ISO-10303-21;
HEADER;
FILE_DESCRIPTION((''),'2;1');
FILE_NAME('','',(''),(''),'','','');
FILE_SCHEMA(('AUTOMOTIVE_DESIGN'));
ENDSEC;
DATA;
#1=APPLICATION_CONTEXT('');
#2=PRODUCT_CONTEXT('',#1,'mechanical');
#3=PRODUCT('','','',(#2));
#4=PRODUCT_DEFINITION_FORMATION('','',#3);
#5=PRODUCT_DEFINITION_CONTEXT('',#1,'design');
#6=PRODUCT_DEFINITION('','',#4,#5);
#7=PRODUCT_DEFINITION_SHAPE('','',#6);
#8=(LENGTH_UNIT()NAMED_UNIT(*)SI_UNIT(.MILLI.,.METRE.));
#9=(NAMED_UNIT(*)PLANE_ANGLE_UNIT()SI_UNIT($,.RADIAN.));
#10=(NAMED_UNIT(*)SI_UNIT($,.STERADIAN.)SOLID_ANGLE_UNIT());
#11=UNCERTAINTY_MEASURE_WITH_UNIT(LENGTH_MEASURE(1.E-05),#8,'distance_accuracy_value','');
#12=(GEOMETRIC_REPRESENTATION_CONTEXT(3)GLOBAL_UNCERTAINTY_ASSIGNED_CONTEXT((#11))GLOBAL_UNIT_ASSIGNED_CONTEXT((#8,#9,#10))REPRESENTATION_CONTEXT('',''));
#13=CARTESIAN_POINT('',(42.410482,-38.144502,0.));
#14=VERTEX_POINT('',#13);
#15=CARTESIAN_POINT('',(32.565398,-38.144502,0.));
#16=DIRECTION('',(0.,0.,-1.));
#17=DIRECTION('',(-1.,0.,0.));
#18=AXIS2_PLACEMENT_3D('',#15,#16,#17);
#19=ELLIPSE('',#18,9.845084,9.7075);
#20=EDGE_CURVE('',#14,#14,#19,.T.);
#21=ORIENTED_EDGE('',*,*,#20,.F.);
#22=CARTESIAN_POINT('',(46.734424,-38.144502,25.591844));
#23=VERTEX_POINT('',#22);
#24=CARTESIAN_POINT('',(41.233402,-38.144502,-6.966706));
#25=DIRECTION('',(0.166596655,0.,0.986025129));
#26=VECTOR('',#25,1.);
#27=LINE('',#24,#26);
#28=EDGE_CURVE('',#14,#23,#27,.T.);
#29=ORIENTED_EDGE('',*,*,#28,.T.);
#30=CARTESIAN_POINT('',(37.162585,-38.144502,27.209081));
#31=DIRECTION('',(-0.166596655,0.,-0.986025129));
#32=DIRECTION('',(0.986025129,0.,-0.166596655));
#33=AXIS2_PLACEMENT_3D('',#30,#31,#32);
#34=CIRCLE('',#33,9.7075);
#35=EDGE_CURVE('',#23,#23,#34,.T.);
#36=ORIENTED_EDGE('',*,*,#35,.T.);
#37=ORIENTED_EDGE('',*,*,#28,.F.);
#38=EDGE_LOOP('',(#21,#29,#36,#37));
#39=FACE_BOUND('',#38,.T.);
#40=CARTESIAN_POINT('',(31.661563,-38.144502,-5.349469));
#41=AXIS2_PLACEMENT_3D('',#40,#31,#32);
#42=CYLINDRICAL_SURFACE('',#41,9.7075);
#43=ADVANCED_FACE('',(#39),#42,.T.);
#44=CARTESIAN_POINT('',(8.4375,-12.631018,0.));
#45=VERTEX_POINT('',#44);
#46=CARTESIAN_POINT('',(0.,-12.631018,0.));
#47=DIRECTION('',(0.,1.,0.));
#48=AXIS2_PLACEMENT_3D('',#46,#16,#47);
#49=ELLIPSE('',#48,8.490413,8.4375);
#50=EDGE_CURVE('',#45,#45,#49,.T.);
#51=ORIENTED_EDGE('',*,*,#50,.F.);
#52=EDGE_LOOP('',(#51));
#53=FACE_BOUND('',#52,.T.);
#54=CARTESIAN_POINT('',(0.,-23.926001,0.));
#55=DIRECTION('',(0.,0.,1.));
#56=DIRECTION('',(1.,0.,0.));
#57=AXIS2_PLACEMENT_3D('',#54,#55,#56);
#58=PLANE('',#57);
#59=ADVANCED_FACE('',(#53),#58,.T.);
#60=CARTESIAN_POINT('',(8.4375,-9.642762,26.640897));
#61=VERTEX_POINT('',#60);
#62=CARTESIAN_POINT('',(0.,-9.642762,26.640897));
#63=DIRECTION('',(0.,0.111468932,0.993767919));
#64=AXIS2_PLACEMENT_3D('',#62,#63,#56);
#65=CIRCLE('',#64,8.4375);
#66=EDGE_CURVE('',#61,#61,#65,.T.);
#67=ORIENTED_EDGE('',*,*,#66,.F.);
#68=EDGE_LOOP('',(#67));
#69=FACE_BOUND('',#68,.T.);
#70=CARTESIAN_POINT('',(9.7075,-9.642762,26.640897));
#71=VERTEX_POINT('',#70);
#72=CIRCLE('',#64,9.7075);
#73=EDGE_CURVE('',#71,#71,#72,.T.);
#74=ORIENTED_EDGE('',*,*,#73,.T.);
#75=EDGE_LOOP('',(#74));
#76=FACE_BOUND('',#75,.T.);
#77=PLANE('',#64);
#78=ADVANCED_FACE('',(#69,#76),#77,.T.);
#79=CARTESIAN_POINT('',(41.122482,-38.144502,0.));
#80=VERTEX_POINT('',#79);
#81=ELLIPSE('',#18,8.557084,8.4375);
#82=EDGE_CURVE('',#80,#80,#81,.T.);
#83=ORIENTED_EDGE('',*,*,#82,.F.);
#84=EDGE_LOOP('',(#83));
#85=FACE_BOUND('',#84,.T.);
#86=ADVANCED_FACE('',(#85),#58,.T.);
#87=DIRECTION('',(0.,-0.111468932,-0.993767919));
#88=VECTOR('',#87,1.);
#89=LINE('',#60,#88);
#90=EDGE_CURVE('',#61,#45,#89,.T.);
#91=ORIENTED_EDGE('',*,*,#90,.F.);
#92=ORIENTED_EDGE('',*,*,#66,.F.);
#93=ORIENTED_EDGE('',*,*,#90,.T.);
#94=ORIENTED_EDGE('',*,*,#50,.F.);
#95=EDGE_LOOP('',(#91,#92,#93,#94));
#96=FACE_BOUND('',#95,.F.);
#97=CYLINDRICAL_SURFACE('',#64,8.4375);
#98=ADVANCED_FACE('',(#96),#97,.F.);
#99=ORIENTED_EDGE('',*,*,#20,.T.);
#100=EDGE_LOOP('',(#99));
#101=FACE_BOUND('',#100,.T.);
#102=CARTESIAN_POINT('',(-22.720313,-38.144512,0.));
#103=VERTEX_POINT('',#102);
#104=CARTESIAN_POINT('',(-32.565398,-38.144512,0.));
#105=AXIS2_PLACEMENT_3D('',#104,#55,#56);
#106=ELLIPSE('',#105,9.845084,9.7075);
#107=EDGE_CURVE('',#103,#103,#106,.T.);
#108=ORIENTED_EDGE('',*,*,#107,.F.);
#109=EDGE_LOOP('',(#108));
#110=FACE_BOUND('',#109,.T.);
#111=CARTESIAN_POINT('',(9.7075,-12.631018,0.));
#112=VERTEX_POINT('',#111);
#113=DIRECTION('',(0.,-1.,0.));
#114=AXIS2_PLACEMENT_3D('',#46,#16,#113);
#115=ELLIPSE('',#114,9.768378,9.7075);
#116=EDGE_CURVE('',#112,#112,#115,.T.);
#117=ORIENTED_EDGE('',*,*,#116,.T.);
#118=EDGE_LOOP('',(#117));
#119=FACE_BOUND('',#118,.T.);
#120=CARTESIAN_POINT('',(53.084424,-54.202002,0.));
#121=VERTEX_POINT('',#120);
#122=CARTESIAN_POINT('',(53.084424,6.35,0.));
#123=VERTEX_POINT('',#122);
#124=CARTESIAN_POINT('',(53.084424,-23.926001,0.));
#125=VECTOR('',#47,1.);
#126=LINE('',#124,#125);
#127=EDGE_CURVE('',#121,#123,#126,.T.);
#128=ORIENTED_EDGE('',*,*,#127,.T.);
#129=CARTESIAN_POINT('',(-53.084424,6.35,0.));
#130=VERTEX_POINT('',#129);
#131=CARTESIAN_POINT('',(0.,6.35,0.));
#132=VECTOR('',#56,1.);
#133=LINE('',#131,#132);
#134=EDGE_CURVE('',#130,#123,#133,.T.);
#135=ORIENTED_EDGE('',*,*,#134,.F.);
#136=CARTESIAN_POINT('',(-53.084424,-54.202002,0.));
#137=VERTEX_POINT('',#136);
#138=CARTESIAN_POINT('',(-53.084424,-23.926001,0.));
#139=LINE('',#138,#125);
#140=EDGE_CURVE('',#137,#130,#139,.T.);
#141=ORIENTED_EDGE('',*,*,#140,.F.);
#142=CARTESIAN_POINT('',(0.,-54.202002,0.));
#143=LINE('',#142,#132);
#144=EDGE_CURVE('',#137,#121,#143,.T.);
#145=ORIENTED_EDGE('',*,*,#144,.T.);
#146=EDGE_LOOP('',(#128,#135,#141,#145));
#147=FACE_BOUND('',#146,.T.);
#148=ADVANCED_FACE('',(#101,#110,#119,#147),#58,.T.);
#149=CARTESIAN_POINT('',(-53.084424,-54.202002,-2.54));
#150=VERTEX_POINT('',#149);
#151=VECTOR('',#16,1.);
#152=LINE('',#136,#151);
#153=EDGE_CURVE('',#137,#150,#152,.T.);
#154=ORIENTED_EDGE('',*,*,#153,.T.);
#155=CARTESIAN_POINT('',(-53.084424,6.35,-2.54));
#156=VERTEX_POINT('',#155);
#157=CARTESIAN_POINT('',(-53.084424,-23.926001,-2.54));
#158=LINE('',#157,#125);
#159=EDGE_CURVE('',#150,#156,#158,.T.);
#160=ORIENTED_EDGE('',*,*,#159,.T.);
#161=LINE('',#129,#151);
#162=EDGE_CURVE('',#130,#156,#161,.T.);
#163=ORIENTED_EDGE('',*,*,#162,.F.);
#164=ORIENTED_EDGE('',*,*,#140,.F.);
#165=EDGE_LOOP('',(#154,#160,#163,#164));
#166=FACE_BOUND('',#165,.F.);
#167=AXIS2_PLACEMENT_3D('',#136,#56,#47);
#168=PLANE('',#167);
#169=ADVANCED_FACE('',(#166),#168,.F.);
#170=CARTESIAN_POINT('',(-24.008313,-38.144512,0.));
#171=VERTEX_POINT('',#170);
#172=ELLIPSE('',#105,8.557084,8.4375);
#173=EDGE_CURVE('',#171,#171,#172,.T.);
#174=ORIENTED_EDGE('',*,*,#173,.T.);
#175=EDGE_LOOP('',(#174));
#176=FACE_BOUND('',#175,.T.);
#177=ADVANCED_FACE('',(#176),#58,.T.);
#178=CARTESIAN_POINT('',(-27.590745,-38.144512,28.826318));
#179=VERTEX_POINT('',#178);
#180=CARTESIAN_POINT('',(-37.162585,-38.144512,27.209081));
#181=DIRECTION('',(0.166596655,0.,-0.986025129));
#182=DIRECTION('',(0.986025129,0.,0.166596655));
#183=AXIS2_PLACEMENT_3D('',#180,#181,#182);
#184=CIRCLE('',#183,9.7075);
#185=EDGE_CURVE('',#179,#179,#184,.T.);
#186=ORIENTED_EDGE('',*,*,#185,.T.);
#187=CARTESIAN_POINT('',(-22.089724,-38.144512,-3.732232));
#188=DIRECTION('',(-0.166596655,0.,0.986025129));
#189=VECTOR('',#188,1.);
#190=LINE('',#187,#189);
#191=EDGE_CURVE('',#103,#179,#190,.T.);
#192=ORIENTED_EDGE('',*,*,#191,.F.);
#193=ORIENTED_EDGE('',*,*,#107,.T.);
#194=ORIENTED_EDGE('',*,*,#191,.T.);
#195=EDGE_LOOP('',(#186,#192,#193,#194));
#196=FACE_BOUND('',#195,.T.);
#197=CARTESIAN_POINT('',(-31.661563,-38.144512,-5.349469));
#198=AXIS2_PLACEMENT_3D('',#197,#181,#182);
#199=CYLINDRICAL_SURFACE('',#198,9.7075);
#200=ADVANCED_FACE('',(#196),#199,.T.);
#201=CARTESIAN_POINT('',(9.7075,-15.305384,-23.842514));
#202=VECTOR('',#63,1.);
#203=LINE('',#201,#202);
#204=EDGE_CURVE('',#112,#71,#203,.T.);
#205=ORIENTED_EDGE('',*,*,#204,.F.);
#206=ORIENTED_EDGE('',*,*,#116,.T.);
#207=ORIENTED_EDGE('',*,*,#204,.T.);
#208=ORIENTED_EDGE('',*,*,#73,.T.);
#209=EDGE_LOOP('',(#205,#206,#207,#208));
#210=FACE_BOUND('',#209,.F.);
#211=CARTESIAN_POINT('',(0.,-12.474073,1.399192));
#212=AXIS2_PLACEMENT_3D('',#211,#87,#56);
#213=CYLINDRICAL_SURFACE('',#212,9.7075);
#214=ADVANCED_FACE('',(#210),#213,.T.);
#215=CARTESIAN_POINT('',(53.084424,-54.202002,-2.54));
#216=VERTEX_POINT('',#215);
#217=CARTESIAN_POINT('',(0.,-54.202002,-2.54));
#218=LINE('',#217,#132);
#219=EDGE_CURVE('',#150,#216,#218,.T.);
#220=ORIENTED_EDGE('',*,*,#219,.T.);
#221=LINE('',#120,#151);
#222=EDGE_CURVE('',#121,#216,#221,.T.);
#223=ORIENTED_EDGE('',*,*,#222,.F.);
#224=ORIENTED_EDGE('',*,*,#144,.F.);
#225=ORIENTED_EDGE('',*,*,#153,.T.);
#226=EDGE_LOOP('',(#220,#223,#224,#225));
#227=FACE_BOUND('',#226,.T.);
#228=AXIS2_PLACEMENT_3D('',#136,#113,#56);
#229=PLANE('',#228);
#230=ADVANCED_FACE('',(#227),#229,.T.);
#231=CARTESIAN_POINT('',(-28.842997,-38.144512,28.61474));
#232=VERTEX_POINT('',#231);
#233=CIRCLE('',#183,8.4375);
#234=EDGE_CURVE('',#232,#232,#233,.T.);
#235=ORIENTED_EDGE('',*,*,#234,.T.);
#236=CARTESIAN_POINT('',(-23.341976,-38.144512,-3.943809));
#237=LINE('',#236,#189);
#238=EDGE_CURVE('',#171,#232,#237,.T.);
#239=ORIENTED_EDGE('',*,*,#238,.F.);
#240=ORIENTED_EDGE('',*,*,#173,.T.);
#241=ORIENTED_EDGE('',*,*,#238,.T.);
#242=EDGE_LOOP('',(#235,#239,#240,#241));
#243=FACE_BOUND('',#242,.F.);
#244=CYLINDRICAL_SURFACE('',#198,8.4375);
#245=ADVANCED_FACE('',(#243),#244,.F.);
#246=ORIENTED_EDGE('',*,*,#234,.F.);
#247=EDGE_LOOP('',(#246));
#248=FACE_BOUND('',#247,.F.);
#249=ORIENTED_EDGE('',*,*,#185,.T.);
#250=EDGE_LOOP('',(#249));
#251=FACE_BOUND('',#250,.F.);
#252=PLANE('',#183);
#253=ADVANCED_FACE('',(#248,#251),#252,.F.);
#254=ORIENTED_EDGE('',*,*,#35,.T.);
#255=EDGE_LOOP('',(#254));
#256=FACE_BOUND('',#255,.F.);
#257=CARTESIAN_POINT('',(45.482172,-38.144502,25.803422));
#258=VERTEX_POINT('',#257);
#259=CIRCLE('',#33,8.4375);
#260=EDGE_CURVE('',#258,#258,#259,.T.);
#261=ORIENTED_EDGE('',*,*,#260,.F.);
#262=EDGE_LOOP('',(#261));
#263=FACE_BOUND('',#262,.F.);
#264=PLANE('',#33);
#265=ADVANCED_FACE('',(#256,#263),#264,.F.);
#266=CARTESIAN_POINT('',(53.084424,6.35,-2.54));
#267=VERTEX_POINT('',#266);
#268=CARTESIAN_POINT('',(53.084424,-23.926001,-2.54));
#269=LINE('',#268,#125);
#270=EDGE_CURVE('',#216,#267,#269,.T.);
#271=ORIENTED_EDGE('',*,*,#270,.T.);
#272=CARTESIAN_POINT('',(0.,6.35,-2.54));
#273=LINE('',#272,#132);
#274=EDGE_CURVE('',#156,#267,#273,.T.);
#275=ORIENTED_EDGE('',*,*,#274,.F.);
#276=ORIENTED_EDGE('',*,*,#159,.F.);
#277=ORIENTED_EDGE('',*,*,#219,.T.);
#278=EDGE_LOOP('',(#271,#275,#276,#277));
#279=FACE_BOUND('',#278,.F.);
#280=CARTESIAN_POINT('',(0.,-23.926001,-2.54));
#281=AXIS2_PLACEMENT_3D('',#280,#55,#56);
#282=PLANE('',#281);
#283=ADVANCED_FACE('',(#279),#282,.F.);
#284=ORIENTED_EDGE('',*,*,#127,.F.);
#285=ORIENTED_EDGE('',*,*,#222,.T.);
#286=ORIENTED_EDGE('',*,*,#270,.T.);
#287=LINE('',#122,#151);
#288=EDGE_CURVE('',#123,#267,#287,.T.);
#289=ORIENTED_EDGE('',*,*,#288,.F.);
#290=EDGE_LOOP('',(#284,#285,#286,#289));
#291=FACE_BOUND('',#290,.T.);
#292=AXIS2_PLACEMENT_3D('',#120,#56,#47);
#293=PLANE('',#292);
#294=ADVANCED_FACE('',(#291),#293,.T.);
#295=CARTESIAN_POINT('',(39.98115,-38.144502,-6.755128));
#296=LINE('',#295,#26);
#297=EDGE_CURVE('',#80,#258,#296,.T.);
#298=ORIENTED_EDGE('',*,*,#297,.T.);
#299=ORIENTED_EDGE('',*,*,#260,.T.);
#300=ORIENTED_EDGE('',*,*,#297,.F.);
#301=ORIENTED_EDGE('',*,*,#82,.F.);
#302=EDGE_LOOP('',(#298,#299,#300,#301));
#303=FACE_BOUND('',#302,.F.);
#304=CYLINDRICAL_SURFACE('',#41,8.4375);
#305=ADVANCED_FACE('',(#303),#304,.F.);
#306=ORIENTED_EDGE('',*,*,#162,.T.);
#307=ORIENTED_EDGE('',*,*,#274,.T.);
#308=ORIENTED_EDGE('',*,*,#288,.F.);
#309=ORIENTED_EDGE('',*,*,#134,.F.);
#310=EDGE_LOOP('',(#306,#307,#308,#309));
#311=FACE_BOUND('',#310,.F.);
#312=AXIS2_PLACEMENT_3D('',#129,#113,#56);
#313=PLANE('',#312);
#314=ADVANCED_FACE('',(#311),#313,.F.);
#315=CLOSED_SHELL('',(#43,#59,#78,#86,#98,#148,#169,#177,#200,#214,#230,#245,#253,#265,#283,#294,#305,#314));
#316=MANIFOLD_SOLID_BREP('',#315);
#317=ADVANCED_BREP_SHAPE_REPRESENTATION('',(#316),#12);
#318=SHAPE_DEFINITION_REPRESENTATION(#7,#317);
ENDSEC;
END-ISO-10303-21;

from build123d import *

# Parameters (mm, degrees)
F2_R      = 9.70750027
F2_R_2    = 8.43750027
F3_DEPTH  = 33.02
F4_DEPTH  = 50.8
F6_DEPTH  = 127
F8_R      = 9.70750027
F8_R_2    = 8.43750027
F9_DEPTH  = 33.02
F10_W     = 144.2738771439
F10_H     = 43.9907349646
F11_DEPTH = 381
F14_R     = 9.70750027
F14_R_2   = 8.43750027
F15_DEPTH = 25.4
F16_DEPTH = 50.8
F17_W     = 94.1894035786
F17_H     = 29.3832402676
F18_DEPTH = 127
F19_W     = 106.1688474409
F19_H     = 60.55200234
F20_DEPTH = 2.54


with BuildPart() as f3:
    # F2 (on line) → F3 (new body)
    with BuildSketch(Plane(origin=(0, 0, 0), x_dir=(0.9860251287, 0, 0.1665966554), z_dir=(0.1665966554, 0, -0.9860251287))):
        with Locations((-32.11030027, 38.1445123341)):
            Circle(F2_R)
        with Locations((-32.11030027, 38.1445123341)):
            Circle(F2_R_2, mode=Mode.SUBTRACT)
    extrude(amount=-F3_DEPTH)

    # F4 (add): a face of the model
    f4_faces = [f3.faces().sort_by_distance(p)[0] for p in [
        (-46.4636912241, -38.1445123341, 25.6375864152),
    ]]
    extrude(f4_faces, amount=-F4_DEPTH)

    # F5 (on Front) → F6 (cut, symmetric)
    with BuildSketch(Plane.XZ):
        Polygon((43.3516763151, 0), (0, 0), (-49.4034710573, 0), (-49.4034710573, -35.2993682027), (43.3516763151, -35.2993682027), align=None)
    extrude(amount=F6_DEPTH, both=True, mode=Mode.SUBTRACT)



with BuildPart() as f9:
    # F8 (on line) → F9 (new body)
    with BuildSketch(Plane(origin=(0, 0, 0), x_dir=(0.9860251287, 0, -0.1665966554), z_dir=(-0.1665966554, 0, -0.9860251287))):
        with Locations((32.11030027, 38.14450207)):
            Circle(F8_R)
        with Locations((32.11030027, 38.14450207)):
            Circle(F8_R_2, mode=Mode.SUBTRACT)
    extrude(amount=-F9_DEPTH)

    # F10 (on Front) → F11 (cut, symmetric)
    with BuildSketch(Plane.XZ):
        with Locations((2.6571601629, -21.9953674823)):
            Rectangle(F10_W, F10_H)
    extrude(amount=F11_DEPTH, both=True, mode=Mode.SUBTRACT)


with BuildPart() as f15:
    # F14 (on face) → F15 (new body)
    with BuildSketch(Plane(origin=(0, 0, 0), x_dir=(1, 0, 0), z_dir=(0, 0.1114689322, 0.9937679192))):
        with Locations((0, -12.55230027)):
            Circle(F14_R)
        with Locations((0, -12.55230027)):
            Circle(F14_R_2, mode=Mode.SUBTRACT)
    extrude(amount=F15_DEPTH)

    # F16 (add): a face of the model
    f16_faces = [f15.faces().sort_by_distance(p)[0] for p in [
        (-9.4329306992, -9.642762442, 26.6408966545),
    ]]
    extrude(f16_faces, amount=-F16_DEPTH)

    # F17 (on Right) → F18 (cut, symmetric)
    with BuildSketch(Plane.YZ):
        with Locations((-17.9154733196, -14.6916201338)):
            Rectangle(F17_W, F17_H)
    extrude(amount=F18_DEPTH, both=True, mode=Mode.SUBTRACT)


with BuildPart() as f3_1:
    add(f3.part)

    add(f9.part)  # F20 merges F9

    add(f15.part)  # F20 merges F15
    # F19 (on Top) → F20 (join)
    with BuildSketch(Plane.XY):
        with Locations((0, -23.92600117)):
            Rectangle(F19_W, F19_H)
    extrude(amount=-F20_DEPTH)


solid = f3_1.part
